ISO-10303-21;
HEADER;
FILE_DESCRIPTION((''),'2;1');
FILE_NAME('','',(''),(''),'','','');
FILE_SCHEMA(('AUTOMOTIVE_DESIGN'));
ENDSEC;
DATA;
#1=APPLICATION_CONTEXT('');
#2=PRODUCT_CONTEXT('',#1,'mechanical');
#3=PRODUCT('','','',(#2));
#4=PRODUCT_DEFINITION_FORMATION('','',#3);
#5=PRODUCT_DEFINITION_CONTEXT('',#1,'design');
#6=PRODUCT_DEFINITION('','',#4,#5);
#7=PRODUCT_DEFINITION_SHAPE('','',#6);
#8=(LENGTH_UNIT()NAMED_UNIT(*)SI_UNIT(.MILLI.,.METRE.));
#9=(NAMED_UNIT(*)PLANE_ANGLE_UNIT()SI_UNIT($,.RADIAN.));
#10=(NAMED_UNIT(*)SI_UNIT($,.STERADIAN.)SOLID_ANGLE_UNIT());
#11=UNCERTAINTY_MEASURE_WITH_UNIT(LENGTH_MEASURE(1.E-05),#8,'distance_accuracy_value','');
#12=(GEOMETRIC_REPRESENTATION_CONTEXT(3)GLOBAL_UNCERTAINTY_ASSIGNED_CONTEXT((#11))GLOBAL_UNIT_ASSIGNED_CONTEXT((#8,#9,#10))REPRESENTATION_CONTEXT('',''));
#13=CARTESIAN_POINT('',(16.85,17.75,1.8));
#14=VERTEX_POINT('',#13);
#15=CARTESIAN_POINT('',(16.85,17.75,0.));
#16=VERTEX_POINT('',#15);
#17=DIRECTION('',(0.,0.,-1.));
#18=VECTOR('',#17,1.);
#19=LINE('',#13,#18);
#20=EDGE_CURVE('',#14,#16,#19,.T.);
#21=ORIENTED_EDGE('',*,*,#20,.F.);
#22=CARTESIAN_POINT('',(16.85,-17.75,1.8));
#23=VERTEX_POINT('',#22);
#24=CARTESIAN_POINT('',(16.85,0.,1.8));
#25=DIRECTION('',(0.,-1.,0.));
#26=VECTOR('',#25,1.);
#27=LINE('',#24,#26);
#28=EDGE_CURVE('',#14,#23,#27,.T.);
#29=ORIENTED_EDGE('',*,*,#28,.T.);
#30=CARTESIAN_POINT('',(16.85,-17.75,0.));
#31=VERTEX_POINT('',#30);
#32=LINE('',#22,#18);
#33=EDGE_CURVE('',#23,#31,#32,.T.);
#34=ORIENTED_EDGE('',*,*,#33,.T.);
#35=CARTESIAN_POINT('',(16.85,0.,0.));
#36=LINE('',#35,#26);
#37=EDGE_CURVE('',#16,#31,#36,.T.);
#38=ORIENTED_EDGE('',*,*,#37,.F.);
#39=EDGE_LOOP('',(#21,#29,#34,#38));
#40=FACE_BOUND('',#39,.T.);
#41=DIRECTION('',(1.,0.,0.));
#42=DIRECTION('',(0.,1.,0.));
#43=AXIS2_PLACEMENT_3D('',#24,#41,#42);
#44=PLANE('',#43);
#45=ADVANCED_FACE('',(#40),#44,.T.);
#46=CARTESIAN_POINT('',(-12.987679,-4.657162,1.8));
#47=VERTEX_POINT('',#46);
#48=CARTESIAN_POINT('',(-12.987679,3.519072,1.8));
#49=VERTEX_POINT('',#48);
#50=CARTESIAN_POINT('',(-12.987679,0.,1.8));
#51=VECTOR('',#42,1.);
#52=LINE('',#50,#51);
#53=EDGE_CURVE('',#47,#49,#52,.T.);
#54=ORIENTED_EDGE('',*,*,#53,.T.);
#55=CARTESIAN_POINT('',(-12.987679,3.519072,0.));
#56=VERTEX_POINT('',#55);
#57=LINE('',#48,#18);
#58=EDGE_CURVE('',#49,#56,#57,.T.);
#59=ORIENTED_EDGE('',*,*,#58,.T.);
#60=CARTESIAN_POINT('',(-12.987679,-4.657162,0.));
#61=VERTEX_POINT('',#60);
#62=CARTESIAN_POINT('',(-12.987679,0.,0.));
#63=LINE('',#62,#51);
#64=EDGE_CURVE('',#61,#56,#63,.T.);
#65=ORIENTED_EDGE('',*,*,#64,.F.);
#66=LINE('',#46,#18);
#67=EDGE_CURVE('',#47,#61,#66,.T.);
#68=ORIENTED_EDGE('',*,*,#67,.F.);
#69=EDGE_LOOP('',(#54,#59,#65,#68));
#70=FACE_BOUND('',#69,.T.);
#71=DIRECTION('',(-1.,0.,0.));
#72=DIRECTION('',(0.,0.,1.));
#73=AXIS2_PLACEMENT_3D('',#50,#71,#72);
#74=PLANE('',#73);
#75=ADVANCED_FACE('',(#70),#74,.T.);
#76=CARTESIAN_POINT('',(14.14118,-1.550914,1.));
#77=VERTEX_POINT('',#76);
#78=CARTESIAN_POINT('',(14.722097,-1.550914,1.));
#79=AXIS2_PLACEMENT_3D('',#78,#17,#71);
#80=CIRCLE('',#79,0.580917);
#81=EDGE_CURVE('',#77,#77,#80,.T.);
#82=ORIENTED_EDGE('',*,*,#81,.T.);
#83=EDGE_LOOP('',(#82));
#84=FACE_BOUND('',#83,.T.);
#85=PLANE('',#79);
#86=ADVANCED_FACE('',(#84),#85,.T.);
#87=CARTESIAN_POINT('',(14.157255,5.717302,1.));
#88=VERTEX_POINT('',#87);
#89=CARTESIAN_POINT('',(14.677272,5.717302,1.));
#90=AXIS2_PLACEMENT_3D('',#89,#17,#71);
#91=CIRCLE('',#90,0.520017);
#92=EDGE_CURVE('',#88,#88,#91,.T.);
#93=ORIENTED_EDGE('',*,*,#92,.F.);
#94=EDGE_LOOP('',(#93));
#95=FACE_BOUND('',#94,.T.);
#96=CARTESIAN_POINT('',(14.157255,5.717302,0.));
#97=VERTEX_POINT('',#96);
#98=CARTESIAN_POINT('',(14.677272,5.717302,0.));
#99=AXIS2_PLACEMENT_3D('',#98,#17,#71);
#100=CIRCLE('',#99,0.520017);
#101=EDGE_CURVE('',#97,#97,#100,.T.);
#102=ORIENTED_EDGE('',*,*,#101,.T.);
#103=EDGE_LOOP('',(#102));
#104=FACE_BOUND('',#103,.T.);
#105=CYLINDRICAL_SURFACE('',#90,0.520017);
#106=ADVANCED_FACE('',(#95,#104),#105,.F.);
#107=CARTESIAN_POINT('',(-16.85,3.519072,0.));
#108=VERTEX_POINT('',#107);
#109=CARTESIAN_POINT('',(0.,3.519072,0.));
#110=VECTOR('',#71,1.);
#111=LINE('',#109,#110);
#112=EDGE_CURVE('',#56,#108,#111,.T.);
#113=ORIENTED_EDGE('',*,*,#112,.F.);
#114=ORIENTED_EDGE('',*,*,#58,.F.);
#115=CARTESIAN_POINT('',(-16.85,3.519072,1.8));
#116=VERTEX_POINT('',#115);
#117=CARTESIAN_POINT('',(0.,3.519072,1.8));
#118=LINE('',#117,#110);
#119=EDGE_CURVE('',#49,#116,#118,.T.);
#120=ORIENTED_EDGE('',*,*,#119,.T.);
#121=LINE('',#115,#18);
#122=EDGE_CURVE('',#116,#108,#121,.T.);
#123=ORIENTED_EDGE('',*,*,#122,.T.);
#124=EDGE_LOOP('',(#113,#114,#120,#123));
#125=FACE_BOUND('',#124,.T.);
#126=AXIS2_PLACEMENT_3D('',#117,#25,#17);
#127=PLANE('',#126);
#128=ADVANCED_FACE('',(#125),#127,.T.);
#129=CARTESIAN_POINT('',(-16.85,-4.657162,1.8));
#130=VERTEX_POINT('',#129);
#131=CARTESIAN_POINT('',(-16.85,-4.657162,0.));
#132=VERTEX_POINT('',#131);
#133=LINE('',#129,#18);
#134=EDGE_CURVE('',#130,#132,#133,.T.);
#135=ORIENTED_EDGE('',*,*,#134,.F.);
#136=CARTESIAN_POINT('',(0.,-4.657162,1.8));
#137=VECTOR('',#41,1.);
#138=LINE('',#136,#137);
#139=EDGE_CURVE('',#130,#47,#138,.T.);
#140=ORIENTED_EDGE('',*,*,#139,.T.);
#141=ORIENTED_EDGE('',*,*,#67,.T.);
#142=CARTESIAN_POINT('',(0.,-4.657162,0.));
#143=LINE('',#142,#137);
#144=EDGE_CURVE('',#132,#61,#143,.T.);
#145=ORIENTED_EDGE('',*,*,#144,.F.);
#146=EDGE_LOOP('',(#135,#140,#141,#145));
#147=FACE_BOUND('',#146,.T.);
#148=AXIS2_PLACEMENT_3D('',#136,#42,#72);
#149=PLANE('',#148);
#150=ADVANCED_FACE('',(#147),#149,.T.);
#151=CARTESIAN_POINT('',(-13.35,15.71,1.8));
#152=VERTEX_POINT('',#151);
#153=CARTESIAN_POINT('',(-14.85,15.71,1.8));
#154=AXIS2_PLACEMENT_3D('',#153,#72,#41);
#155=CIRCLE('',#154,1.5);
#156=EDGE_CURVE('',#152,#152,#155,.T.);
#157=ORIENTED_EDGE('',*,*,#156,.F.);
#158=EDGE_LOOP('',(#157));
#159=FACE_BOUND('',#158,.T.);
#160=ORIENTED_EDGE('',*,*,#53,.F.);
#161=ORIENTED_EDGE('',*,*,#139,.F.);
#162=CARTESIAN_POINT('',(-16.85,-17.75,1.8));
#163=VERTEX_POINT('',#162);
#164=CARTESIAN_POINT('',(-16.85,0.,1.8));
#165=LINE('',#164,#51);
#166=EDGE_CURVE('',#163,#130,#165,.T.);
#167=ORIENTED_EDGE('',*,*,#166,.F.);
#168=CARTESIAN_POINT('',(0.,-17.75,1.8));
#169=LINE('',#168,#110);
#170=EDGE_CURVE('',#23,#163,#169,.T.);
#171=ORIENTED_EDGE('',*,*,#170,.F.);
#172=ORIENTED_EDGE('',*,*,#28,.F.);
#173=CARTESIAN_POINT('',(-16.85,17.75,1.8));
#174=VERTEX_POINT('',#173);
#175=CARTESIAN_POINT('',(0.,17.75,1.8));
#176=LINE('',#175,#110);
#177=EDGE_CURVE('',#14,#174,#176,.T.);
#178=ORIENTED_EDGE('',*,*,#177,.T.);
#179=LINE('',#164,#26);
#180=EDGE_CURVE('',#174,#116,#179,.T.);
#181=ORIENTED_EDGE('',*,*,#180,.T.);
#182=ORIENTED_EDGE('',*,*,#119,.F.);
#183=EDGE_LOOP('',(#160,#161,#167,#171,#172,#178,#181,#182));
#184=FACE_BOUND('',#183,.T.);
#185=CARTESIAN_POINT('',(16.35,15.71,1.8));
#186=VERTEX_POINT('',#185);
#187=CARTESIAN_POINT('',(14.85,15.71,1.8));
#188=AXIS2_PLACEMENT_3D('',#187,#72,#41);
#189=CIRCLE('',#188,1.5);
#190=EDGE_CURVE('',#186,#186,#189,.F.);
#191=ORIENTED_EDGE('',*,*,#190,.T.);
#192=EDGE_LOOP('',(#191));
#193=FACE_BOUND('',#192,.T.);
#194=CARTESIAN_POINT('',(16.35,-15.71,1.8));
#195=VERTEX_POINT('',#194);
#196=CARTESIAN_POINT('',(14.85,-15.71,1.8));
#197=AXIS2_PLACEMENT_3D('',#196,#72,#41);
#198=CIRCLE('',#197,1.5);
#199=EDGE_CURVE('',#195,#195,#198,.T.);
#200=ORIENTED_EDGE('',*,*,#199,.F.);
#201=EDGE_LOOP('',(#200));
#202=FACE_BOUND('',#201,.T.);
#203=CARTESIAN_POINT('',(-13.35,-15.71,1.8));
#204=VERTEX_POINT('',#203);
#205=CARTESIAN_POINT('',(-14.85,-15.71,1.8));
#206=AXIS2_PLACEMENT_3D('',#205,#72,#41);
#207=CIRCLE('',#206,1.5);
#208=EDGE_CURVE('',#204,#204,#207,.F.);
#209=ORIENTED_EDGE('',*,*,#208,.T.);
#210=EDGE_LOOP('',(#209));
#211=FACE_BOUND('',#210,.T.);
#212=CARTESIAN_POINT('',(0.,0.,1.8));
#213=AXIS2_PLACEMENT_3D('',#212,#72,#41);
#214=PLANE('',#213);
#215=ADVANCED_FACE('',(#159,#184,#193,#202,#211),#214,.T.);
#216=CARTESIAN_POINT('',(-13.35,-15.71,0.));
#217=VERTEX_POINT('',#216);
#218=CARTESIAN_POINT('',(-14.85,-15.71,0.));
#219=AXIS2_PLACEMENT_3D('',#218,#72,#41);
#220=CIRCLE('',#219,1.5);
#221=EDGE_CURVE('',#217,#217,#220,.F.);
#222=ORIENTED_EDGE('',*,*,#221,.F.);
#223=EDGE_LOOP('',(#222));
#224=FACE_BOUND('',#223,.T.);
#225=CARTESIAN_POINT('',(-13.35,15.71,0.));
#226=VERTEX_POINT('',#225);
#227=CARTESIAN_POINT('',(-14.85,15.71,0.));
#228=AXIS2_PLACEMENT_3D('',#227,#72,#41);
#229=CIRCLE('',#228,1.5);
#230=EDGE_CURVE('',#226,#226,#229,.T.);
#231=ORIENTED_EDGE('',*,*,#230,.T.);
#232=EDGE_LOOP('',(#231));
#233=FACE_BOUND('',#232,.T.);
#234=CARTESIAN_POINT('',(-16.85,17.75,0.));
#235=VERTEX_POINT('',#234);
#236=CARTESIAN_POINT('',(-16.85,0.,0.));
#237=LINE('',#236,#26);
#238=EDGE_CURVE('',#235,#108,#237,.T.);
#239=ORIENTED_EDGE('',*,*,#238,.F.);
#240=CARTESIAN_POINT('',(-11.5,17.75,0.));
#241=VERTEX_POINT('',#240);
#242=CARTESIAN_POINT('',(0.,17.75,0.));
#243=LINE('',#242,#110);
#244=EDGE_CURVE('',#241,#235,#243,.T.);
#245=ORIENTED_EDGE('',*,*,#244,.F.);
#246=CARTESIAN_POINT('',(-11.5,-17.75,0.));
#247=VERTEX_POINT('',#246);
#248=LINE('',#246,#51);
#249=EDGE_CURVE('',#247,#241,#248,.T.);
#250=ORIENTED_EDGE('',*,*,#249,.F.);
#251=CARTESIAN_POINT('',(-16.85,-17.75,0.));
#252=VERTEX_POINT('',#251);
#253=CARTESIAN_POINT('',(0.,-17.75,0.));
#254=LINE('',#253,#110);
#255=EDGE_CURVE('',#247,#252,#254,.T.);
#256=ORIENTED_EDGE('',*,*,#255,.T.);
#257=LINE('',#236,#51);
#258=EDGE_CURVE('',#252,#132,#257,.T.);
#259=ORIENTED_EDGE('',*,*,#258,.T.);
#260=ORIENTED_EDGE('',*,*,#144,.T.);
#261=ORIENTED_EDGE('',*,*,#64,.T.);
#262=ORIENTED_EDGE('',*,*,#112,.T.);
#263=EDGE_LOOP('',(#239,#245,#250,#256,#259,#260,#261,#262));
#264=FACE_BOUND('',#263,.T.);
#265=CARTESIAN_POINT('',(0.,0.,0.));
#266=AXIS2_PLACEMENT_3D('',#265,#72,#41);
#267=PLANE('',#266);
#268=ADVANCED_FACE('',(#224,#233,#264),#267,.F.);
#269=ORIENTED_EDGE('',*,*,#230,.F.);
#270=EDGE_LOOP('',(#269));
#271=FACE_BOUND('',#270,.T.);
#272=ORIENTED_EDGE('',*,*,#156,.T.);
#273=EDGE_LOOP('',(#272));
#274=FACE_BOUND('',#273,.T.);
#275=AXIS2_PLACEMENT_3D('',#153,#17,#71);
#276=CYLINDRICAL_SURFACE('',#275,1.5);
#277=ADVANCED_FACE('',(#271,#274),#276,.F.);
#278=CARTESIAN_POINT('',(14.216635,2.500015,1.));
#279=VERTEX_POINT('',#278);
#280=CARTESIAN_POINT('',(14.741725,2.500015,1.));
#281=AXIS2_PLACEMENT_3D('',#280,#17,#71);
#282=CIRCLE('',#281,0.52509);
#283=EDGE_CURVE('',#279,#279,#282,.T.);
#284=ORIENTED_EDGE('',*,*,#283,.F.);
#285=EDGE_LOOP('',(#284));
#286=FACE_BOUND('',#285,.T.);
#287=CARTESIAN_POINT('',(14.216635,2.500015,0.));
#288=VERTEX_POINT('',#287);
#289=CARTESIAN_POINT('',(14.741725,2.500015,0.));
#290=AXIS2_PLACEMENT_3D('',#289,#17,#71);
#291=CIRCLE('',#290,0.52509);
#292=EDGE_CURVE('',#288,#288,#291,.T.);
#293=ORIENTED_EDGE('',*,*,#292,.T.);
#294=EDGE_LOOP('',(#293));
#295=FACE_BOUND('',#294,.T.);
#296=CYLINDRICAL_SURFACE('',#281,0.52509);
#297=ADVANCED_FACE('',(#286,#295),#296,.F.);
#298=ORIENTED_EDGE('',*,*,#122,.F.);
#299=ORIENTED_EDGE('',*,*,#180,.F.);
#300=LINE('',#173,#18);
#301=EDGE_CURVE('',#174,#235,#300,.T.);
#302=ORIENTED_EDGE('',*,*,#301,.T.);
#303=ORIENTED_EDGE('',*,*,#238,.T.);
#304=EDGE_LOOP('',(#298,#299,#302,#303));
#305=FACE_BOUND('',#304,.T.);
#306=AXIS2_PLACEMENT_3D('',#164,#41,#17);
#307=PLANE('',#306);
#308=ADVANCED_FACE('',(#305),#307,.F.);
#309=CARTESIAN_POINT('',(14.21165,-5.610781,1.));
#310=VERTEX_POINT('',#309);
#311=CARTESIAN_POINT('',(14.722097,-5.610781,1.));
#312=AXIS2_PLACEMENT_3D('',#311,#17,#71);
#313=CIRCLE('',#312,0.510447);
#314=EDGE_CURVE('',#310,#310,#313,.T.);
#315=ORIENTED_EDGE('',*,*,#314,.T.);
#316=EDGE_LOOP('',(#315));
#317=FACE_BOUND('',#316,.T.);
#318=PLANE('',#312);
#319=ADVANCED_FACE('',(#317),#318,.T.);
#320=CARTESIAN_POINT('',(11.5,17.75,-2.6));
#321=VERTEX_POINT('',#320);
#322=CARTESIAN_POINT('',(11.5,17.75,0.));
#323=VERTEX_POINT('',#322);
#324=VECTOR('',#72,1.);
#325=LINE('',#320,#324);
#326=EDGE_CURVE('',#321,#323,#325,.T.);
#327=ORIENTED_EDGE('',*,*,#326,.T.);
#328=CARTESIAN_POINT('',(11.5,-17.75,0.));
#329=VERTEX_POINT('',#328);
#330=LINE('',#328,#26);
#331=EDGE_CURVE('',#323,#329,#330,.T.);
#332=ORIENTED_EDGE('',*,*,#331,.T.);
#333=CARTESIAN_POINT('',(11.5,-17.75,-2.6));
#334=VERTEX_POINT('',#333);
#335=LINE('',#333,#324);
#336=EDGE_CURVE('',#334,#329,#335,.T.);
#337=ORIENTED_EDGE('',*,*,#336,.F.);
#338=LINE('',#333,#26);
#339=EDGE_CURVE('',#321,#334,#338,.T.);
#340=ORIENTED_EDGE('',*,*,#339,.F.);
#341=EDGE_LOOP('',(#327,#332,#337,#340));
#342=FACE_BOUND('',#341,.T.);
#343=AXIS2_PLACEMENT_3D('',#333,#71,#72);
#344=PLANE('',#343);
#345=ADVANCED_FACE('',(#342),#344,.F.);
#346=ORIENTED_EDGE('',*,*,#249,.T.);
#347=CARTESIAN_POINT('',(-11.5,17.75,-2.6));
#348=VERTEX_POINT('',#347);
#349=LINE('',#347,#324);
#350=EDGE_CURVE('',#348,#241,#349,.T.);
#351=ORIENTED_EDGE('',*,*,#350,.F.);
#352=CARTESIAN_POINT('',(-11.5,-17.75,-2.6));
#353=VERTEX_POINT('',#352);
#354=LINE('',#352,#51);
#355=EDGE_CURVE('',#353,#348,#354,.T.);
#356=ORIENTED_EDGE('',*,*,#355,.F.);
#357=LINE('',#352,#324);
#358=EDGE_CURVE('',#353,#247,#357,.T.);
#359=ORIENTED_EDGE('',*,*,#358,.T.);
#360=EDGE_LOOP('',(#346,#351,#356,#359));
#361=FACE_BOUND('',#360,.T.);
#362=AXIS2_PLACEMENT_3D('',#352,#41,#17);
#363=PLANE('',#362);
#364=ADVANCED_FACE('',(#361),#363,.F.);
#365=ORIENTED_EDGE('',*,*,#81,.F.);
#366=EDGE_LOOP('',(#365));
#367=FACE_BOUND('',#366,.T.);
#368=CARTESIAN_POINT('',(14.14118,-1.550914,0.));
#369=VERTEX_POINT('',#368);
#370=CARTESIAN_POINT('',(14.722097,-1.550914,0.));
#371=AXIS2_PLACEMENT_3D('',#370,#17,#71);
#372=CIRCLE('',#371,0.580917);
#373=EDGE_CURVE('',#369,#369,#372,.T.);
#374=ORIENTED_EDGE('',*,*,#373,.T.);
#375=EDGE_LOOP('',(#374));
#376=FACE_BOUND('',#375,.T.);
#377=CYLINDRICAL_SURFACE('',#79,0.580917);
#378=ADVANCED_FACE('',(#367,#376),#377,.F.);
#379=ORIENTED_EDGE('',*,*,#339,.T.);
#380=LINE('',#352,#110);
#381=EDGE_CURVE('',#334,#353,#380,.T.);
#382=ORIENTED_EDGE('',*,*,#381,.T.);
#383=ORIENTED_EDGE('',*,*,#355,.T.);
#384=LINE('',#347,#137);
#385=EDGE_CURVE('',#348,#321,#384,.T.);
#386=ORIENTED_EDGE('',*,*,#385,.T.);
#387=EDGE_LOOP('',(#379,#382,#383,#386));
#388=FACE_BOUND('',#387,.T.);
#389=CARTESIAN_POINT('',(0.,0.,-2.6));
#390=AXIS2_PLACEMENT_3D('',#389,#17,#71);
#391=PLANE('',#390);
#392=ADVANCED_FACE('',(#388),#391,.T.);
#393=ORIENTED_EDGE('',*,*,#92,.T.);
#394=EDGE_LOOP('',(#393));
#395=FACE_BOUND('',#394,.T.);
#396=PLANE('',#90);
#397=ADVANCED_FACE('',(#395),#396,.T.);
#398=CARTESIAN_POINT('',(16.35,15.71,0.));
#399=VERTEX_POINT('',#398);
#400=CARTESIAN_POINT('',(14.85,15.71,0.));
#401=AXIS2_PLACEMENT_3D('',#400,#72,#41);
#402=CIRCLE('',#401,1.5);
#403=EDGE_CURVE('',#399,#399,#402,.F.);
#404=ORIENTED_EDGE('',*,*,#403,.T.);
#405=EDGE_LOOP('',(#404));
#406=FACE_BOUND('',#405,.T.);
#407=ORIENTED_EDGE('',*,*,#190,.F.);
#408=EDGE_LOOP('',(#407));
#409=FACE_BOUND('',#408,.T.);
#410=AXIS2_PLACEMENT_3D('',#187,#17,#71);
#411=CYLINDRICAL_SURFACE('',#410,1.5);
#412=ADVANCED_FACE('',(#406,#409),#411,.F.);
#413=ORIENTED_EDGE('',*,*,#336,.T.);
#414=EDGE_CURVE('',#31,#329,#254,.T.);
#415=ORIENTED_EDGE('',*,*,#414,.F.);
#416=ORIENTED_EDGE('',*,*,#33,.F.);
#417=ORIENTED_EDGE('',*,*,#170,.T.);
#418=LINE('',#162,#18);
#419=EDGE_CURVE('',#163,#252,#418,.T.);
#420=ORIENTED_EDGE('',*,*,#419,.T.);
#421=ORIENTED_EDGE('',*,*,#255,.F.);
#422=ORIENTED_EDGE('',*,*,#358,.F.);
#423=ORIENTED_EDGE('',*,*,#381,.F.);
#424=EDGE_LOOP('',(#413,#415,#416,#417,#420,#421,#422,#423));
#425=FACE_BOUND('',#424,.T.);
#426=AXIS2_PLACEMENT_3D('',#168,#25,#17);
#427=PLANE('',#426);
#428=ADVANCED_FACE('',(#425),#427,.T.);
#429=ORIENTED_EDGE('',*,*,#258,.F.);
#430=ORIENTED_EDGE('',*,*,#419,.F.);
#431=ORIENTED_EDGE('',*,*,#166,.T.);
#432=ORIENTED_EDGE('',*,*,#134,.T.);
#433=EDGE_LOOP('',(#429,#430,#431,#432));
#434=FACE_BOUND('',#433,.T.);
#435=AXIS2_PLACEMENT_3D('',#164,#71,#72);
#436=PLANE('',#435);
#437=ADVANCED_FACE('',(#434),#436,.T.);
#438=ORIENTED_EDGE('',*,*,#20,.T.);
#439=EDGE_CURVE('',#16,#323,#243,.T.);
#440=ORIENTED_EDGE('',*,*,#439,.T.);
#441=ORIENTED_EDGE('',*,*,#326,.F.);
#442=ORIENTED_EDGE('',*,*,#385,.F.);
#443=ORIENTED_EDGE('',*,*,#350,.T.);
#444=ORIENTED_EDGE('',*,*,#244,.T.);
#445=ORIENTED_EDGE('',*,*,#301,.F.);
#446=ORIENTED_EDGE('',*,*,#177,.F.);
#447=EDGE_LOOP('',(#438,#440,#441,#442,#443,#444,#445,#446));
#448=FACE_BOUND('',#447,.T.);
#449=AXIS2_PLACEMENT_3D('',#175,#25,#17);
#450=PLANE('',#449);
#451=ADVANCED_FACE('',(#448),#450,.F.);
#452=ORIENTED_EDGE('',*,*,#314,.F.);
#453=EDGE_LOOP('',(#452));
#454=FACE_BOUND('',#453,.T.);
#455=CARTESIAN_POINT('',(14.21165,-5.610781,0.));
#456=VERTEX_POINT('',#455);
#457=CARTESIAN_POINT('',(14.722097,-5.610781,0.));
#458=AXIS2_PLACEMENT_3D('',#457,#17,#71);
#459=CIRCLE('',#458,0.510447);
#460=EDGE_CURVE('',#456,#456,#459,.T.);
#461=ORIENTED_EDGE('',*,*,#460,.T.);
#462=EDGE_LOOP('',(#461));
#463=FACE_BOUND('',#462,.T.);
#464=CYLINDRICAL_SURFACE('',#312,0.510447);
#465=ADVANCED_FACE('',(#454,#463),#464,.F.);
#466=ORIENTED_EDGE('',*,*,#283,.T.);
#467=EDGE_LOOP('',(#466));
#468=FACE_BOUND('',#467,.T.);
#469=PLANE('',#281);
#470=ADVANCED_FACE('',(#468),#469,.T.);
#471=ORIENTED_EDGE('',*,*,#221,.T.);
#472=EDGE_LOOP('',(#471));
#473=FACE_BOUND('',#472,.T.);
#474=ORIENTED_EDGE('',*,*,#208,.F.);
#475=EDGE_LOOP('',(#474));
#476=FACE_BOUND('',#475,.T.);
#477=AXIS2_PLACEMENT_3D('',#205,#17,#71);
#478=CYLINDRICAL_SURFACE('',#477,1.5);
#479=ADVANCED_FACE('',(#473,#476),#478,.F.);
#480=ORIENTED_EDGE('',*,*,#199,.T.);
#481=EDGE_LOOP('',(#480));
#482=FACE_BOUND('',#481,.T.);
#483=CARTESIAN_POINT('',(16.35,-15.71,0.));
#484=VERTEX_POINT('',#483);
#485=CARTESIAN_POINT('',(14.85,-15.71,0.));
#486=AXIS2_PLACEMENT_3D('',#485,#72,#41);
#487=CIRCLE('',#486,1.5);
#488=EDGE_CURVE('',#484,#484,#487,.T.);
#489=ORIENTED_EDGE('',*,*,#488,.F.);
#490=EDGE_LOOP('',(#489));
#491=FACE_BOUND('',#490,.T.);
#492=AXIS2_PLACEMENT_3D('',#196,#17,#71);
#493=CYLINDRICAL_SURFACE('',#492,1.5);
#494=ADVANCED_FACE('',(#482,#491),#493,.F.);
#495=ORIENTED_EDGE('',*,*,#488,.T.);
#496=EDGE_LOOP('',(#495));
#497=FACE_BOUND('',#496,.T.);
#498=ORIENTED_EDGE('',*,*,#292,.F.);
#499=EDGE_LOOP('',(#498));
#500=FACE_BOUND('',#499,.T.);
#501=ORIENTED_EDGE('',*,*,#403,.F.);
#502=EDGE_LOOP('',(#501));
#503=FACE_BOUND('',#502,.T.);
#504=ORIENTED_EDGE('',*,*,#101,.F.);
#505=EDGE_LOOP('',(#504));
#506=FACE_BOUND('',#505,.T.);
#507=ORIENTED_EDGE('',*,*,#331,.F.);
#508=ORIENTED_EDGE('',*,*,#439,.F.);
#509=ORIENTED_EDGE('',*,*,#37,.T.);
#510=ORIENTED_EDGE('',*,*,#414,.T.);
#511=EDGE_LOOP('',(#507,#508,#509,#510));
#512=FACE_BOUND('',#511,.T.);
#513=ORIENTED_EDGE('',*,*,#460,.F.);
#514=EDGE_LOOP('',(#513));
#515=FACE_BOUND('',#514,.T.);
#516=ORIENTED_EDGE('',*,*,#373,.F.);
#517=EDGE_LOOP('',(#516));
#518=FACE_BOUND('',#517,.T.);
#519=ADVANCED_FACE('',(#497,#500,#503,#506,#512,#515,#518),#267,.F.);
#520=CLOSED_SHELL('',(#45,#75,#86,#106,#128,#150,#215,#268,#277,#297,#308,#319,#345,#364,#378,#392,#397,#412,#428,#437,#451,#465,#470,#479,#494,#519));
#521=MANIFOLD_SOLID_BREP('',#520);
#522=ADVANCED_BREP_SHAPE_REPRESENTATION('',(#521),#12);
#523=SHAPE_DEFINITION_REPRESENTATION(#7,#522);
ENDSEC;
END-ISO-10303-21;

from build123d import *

# Parameters (mm, degrees)
SKETCH1_W           = 14.7
SKETCH1_H           = 29.42
SKETCH1_R           = 1.5
SKETCH1_W_2         = 23
SKETCH1_H_2         = 35.5
BOSS_EXTRUDE5_DEPTH = 1.8
SKETCH2_W           = 23
SKETCH2_H           = 35.5
BOSS_EXTRUDE7_DEPTH = 2.6
SKETCH3_R           = 0.510447256
SKETCH3_R_2         = 0.580916902
SKETCH3_R_3         = 0.525090018
CUT_EXTRUDE1_DEPTH  = 1
SKETCH5_R           = 0.520017215
CUT_EXTRUDE5_DEPTH  = 1


with BuildPart() as part:
    # Sketch1 → Boss-Extrude5 (new body)
    # profile 1 of 3: a face of its own
    with BuildSketch(Plane.XY):
        Rectangle(SKETCH1_W, SKETCH1_H)
    # profile 2 of 3: a face of its own
    with BuildSketch(Plane.XY):
        Polygon((16.85, 17.75), (-16.85, 17.75), (-16.85, 3.519072364), (-12.987679058, 3.519072364), (-12.987679058, -4.65716191), (-16.85, -4.65716191), (-16.85, -17.75), (16.85, -17.75), align=None)
        with Locations((14.85, -15.71)):
            Circle(SKETCH1_R, mode=Mode.SUBTRACT)
        with Locations((14.85, 15.71)):
            Circle(SKETCH1_R, mode=Mode.SUBTRACT)
        with Locations((-14.85, 15.71)):
            Circle(SKETCH1_R, mode=Mode.SUBTRACT)
        with Locations((-14.85, -15.71)):
            Circle(SKETCH1_R, mode=Mode.SUBTRACT)
    # profile 3 of 3: a face of its own
    with BuildSketch(Plane.XY):
        Rectangle(SKETCH1_W_2, SKETCH1_H_2)
    extrude(amount=BOSS_EXTRUDE5_DEPTH)

    # Sketch2 → Boss-Extrude7 (add)
    with BuildSketch(Plane(origin=(0, 0, 0), x_dir=(-1, 0, 0), z_dir=(0, 0, -1))):
        Rectangle(SKETCH2_W, SKETCH2_H)
    extrude(amount=BOSS_EXTRUDE7_DEPTH)

    # Sketch3 → Cut-Extrude1 (cut)
    with BuildSketch(Plane(origin=(0, 0, 0), x_dir=(-1, 0, 0), z_dir=(0, 0, -1))):
        with Locations((-14.722097133, -5.610781363)):
            Circle(SKETCH3_R)
        with Locations((-14.722097133, -1.550914358)):
            Circle(SKETCH3_R_2)
        with Locations((-14.741724546, 2.500014567)):
            Circle(SKETCH3_R_3)
    extrude(amount=-CUT_EXTRUDE1_DEPTH, mode=Mode.SUBTRACT)

    # Sketch5 → Cut-Extrude5 (cut)
    with BuildSketch(Plane(origin=(0, 0, 0), x_dir=(-1, 0, 0), z_dir=(0, 0, -1))):
        with Locations((-14.677272087, 5.717301692)):
            Circle(SKETCH5_R)
    extrude(amount=-CUT_EXTRUDE5_DEPTH, mode=Mode.SUBTRACT)


solid = part.part
